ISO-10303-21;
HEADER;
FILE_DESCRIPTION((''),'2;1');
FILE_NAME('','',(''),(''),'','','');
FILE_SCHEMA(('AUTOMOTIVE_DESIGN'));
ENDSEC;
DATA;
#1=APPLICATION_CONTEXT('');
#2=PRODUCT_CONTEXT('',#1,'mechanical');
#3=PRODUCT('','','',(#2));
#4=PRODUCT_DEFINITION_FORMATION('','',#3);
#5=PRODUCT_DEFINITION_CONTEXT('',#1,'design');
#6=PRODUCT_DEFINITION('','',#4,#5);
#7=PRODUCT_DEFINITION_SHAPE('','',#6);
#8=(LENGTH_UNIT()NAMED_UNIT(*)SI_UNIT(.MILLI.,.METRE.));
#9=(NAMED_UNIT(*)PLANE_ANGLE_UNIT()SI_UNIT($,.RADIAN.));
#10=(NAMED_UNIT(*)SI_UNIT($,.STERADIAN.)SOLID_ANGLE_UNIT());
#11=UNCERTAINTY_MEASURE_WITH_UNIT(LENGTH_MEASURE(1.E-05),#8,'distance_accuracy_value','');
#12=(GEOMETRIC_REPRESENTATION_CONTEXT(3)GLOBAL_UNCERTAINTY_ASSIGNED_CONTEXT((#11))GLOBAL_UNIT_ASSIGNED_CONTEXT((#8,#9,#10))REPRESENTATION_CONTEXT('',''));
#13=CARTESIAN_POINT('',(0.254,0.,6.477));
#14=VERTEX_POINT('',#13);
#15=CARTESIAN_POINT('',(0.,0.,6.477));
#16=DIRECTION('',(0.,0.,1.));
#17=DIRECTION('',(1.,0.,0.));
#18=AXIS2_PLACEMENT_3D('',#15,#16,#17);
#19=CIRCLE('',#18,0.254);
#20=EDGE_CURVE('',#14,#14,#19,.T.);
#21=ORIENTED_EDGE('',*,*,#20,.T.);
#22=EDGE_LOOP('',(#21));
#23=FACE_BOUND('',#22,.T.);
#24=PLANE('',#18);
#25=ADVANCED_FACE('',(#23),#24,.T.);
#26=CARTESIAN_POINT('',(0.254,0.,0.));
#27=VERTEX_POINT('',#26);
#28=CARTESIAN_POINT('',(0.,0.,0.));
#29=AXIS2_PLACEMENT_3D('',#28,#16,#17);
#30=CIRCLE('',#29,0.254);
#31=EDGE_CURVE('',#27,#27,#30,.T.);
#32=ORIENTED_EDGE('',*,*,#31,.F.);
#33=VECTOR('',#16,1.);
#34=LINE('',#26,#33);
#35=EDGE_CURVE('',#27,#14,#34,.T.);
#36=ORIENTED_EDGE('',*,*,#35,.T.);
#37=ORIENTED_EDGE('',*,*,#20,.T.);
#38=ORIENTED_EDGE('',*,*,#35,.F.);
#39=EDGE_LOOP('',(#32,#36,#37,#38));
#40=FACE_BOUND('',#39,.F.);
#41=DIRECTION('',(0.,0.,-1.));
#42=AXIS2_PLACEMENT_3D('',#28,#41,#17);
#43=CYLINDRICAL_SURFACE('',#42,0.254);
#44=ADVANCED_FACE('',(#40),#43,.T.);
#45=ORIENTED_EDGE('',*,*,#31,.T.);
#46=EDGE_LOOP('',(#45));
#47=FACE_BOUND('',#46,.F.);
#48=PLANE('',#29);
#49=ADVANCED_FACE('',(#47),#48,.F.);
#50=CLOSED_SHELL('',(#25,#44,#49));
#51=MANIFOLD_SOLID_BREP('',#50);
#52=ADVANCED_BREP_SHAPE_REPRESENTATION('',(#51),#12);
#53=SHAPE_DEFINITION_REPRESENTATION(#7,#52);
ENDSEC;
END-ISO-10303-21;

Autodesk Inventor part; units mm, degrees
ref_plane "YZ Plane" through (0, 0, 0) normal (1, 0, 0) x (0, 1, 0)
ref_plane "XZ Plane" through (0, 0, 0) normal (0, 1, 0) x (-1, 0, 0)
ref_plane "XY Plane" through (0, 0, 0) normal (0, 0, 1) x (1, 0, 0)
sketch "Sketch1" plane through (0, 0, 0) normal (0, 0, 1) x (1, 0, 0)
  circle A0 centre (0, 0) radius 0.254
  dimension "d0" = 0.508
extrude "Extrusion1" add sketch "Sketch1" along normal blind 6.477
properties part number "PCtail"
